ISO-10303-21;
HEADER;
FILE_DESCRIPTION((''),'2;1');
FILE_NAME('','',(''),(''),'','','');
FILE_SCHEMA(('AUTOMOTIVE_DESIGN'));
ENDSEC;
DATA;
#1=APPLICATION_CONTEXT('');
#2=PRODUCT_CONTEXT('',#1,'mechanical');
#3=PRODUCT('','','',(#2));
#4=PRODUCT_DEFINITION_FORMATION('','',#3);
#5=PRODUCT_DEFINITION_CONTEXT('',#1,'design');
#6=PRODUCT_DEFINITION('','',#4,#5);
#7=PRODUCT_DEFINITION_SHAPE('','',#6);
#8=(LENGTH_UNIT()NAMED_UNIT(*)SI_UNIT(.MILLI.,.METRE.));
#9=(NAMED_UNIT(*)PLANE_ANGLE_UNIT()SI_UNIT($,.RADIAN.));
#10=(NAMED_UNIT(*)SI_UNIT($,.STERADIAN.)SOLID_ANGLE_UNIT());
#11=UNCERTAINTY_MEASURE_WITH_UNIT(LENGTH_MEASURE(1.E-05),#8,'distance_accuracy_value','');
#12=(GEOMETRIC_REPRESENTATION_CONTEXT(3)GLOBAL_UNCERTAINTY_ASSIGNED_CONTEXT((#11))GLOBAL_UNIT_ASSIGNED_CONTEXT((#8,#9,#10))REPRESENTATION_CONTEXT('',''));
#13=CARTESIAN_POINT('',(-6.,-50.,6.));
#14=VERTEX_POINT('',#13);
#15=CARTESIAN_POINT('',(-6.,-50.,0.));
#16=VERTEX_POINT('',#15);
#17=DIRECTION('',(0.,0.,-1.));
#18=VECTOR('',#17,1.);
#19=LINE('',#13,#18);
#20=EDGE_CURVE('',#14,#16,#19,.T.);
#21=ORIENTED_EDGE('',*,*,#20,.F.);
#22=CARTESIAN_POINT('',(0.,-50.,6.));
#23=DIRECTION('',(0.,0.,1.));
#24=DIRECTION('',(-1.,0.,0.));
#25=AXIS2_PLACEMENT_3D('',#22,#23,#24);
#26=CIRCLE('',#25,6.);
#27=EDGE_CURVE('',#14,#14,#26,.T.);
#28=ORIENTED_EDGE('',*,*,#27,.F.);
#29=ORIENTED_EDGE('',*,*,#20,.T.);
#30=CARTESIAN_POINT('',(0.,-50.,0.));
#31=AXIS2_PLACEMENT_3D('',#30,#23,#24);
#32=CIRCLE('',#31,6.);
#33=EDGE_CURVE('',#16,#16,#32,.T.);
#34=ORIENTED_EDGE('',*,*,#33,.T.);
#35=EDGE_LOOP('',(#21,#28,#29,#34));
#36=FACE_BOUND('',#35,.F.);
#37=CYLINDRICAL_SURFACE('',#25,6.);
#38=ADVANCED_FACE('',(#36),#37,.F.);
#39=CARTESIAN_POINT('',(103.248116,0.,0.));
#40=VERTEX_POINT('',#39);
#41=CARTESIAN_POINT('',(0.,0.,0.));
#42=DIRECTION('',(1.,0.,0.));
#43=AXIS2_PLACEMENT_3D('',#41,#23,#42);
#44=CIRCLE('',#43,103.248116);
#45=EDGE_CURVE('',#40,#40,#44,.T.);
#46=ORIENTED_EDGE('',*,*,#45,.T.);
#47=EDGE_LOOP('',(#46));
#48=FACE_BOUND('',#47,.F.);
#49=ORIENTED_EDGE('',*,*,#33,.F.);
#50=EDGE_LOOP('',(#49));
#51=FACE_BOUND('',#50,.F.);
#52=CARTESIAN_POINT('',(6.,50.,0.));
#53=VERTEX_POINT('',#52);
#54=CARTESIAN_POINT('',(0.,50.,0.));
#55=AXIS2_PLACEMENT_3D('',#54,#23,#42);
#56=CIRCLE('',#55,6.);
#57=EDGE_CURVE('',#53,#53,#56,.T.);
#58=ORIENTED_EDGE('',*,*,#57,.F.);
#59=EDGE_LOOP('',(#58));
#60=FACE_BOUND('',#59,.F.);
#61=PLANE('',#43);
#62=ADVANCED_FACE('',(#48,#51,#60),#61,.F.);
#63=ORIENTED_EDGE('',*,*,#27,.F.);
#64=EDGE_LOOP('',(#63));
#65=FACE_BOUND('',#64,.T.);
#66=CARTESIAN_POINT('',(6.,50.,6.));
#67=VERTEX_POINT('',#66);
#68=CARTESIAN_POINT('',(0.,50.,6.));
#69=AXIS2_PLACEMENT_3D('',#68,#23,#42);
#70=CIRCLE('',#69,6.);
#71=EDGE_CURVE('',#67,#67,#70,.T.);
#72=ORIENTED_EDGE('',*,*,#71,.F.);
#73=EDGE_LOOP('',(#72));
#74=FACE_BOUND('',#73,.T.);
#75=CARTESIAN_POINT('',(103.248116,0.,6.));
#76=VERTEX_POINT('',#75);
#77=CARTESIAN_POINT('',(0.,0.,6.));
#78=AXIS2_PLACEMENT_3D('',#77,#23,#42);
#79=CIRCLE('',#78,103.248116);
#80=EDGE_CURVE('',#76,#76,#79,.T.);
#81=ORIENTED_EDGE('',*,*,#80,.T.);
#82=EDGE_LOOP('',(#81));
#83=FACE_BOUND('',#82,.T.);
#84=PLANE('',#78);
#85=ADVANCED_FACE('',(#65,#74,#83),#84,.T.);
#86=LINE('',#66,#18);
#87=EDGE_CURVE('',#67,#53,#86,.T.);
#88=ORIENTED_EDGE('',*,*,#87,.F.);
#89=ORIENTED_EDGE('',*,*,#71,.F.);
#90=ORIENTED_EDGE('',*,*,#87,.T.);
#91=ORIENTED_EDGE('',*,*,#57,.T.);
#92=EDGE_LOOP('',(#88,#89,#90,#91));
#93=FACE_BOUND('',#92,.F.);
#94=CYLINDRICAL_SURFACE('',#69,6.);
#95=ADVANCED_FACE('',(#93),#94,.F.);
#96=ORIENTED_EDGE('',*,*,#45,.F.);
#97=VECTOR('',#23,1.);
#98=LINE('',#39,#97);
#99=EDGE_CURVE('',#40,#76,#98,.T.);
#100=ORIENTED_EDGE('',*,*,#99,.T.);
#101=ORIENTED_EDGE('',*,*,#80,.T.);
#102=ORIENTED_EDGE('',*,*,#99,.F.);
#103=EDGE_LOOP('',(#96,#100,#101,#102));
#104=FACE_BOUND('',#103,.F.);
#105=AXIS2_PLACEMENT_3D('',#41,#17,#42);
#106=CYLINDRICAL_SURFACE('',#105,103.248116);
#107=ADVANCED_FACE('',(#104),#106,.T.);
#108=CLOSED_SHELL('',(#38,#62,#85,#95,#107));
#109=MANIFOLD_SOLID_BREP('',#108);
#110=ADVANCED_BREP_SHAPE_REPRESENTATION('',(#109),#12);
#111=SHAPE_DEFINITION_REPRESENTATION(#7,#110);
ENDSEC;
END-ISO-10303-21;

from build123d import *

# Parameters (mm, degrees)
SKETCH_R           = 103.248116
PAD_DEPTH          = 6
SKETCH001_R        = 6
POCKET_DEPTH       = 590.183803
POLARPATTERN_COUNT = 2


with BuildPart() as part:
    # Sketch → Pad (new body)
    with BuildSketch(Plane.XY):
        Circle(SKETCH_R)
    extrude(amount=PAD_DEPTH)

    # Sketch001 (on Face3 of Pad) → Pocket (cut, through all)
    with BuildSketch(Plane.XY.offset(6)):
        with Locations((0, 50)):
            Circle(SKETCH001_R)
    pocket = extrude(amount=-POCKET_DEPTH, mode=Mode.SUBTRACT)

    # PolarPattern: Pocket ×2 about axis
    polarpattern_axis = Axis((0, 0, 6), (0, 0, 1))
    for i in range(1, POLARPATTERN_COUNT):
        add(pocket.rotate(polarpattern_axis, i * 360 / POLARPATTERN_COUNT), mode=Mode.SUBTRACT)


solid = part.part
